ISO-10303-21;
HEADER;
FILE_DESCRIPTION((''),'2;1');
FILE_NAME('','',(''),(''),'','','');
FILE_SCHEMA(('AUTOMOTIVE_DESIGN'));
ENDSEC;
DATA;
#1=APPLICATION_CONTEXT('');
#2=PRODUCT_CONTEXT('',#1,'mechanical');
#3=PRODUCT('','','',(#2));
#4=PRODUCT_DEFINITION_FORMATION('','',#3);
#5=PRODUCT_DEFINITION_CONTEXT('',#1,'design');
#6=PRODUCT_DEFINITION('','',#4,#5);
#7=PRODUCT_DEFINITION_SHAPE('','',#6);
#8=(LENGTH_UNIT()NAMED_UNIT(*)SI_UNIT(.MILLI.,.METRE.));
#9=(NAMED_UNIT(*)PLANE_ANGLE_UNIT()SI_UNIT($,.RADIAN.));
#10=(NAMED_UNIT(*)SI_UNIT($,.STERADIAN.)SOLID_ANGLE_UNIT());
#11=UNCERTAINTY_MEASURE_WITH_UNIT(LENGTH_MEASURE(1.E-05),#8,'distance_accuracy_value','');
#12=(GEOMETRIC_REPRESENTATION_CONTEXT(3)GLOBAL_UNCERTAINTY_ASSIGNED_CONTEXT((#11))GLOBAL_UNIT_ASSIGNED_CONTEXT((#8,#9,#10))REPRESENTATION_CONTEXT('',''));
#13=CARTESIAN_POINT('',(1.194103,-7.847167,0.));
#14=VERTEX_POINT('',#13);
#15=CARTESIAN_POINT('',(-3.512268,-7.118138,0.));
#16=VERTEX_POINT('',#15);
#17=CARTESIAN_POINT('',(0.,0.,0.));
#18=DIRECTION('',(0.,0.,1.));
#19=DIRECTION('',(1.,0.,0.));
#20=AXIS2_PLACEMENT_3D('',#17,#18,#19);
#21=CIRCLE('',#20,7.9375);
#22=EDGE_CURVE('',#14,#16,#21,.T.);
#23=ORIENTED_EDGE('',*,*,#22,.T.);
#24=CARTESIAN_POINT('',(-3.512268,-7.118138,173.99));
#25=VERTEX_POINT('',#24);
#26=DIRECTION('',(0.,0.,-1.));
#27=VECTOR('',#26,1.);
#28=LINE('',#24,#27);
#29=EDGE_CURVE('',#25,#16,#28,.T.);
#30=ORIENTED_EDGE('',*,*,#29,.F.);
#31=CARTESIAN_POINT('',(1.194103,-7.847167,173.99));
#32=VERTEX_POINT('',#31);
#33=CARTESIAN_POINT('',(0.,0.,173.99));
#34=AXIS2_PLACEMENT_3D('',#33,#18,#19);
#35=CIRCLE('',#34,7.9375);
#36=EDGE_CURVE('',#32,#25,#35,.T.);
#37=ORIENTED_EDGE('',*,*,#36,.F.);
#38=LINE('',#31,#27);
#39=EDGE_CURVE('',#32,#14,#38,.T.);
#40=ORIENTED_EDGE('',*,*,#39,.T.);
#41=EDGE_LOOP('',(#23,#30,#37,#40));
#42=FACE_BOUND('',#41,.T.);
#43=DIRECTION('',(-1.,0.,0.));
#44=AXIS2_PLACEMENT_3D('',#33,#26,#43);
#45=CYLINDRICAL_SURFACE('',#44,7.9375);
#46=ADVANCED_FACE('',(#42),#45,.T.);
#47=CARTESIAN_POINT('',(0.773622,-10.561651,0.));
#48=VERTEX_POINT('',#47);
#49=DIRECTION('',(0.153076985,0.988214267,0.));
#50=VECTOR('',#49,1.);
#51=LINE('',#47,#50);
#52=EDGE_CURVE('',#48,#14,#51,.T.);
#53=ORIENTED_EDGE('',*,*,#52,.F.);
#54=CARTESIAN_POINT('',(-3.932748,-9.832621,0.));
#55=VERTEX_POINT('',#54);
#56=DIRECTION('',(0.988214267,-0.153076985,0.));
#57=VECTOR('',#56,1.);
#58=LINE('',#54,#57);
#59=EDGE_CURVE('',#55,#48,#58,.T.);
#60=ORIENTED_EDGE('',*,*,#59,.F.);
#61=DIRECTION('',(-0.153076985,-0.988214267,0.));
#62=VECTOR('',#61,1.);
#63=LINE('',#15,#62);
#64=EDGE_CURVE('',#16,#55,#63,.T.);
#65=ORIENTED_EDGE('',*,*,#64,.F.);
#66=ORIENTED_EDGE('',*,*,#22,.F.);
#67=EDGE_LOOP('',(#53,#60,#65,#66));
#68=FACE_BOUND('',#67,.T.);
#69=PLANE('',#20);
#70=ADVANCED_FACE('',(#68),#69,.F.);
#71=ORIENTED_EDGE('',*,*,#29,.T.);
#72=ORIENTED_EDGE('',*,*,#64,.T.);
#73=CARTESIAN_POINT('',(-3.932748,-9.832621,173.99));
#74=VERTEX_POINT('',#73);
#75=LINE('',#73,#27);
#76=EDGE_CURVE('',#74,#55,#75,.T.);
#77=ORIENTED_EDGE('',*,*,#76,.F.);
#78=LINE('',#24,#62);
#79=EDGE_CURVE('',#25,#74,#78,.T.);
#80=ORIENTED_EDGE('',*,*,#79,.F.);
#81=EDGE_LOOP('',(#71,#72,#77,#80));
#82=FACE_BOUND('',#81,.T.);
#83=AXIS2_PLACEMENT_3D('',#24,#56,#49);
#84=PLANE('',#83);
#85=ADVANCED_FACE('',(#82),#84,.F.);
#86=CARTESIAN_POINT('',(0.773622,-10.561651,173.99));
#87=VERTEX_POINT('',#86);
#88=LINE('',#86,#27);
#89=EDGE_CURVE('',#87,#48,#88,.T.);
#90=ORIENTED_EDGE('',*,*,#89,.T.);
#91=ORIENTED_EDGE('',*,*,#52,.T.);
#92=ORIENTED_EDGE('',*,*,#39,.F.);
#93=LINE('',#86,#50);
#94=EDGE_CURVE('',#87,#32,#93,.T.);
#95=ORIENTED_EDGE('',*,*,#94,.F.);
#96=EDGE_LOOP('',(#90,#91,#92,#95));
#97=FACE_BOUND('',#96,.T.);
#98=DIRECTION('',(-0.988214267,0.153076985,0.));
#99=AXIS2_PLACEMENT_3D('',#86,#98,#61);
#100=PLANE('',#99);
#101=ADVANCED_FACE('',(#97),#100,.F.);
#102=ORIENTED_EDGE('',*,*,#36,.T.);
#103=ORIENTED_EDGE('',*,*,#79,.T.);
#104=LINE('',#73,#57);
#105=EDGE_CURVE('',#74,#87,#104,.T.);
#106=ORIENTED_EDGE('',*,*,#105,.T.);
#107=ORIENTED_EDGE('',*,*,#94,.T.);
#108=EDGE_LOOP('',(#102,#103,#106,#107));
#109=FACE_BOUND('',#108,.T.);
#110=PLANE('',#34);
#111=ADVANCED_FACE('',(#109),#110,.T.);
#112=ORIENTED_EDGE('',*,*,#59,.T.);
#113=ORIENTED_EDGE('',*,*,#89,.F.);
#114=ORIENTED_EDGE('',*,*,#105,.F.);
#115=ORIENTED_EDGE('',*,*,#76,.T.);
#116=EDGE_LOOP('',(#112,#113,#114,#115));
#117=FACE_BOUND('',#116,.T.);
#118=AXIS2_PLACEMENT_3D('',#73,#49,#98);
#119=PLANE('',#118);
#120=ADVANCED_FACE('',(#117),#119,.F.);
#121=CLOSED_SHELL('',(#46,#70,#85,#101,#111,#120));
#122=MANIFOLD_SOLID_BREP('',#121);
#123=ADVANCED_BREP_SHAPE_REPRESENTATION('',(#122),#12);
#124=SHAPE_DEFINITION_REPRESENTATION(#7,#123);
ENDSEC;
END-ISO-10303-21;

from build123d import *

# Parameters (mm, degrees)
BOSS_EXTRUDE1_DEPTH = 173.99


with BuildPart() as part:
    # Sketch1 → Boss-Extrude1 (new body)
    with BuildSketch(Plane.XY):
        with BuildLine():
            Line((-3.512267681, -7.118137537), (-3.932748357, -9.832621394))
            Line((-3.932748357, -9.832621394), (0.773622087, -10.561650533))
            Line((0.773622087, -10.561650533), (1.194102764, -7.847166676))
            ThreePointArc((1.194102764, -7.847166676), (1.215048565, 7.843950741), (-3.512267681, -7.118137537))
        make_face()
    extrude(amount=BOSS_EXTRUDE1_DEPTH)


solid = part.part
